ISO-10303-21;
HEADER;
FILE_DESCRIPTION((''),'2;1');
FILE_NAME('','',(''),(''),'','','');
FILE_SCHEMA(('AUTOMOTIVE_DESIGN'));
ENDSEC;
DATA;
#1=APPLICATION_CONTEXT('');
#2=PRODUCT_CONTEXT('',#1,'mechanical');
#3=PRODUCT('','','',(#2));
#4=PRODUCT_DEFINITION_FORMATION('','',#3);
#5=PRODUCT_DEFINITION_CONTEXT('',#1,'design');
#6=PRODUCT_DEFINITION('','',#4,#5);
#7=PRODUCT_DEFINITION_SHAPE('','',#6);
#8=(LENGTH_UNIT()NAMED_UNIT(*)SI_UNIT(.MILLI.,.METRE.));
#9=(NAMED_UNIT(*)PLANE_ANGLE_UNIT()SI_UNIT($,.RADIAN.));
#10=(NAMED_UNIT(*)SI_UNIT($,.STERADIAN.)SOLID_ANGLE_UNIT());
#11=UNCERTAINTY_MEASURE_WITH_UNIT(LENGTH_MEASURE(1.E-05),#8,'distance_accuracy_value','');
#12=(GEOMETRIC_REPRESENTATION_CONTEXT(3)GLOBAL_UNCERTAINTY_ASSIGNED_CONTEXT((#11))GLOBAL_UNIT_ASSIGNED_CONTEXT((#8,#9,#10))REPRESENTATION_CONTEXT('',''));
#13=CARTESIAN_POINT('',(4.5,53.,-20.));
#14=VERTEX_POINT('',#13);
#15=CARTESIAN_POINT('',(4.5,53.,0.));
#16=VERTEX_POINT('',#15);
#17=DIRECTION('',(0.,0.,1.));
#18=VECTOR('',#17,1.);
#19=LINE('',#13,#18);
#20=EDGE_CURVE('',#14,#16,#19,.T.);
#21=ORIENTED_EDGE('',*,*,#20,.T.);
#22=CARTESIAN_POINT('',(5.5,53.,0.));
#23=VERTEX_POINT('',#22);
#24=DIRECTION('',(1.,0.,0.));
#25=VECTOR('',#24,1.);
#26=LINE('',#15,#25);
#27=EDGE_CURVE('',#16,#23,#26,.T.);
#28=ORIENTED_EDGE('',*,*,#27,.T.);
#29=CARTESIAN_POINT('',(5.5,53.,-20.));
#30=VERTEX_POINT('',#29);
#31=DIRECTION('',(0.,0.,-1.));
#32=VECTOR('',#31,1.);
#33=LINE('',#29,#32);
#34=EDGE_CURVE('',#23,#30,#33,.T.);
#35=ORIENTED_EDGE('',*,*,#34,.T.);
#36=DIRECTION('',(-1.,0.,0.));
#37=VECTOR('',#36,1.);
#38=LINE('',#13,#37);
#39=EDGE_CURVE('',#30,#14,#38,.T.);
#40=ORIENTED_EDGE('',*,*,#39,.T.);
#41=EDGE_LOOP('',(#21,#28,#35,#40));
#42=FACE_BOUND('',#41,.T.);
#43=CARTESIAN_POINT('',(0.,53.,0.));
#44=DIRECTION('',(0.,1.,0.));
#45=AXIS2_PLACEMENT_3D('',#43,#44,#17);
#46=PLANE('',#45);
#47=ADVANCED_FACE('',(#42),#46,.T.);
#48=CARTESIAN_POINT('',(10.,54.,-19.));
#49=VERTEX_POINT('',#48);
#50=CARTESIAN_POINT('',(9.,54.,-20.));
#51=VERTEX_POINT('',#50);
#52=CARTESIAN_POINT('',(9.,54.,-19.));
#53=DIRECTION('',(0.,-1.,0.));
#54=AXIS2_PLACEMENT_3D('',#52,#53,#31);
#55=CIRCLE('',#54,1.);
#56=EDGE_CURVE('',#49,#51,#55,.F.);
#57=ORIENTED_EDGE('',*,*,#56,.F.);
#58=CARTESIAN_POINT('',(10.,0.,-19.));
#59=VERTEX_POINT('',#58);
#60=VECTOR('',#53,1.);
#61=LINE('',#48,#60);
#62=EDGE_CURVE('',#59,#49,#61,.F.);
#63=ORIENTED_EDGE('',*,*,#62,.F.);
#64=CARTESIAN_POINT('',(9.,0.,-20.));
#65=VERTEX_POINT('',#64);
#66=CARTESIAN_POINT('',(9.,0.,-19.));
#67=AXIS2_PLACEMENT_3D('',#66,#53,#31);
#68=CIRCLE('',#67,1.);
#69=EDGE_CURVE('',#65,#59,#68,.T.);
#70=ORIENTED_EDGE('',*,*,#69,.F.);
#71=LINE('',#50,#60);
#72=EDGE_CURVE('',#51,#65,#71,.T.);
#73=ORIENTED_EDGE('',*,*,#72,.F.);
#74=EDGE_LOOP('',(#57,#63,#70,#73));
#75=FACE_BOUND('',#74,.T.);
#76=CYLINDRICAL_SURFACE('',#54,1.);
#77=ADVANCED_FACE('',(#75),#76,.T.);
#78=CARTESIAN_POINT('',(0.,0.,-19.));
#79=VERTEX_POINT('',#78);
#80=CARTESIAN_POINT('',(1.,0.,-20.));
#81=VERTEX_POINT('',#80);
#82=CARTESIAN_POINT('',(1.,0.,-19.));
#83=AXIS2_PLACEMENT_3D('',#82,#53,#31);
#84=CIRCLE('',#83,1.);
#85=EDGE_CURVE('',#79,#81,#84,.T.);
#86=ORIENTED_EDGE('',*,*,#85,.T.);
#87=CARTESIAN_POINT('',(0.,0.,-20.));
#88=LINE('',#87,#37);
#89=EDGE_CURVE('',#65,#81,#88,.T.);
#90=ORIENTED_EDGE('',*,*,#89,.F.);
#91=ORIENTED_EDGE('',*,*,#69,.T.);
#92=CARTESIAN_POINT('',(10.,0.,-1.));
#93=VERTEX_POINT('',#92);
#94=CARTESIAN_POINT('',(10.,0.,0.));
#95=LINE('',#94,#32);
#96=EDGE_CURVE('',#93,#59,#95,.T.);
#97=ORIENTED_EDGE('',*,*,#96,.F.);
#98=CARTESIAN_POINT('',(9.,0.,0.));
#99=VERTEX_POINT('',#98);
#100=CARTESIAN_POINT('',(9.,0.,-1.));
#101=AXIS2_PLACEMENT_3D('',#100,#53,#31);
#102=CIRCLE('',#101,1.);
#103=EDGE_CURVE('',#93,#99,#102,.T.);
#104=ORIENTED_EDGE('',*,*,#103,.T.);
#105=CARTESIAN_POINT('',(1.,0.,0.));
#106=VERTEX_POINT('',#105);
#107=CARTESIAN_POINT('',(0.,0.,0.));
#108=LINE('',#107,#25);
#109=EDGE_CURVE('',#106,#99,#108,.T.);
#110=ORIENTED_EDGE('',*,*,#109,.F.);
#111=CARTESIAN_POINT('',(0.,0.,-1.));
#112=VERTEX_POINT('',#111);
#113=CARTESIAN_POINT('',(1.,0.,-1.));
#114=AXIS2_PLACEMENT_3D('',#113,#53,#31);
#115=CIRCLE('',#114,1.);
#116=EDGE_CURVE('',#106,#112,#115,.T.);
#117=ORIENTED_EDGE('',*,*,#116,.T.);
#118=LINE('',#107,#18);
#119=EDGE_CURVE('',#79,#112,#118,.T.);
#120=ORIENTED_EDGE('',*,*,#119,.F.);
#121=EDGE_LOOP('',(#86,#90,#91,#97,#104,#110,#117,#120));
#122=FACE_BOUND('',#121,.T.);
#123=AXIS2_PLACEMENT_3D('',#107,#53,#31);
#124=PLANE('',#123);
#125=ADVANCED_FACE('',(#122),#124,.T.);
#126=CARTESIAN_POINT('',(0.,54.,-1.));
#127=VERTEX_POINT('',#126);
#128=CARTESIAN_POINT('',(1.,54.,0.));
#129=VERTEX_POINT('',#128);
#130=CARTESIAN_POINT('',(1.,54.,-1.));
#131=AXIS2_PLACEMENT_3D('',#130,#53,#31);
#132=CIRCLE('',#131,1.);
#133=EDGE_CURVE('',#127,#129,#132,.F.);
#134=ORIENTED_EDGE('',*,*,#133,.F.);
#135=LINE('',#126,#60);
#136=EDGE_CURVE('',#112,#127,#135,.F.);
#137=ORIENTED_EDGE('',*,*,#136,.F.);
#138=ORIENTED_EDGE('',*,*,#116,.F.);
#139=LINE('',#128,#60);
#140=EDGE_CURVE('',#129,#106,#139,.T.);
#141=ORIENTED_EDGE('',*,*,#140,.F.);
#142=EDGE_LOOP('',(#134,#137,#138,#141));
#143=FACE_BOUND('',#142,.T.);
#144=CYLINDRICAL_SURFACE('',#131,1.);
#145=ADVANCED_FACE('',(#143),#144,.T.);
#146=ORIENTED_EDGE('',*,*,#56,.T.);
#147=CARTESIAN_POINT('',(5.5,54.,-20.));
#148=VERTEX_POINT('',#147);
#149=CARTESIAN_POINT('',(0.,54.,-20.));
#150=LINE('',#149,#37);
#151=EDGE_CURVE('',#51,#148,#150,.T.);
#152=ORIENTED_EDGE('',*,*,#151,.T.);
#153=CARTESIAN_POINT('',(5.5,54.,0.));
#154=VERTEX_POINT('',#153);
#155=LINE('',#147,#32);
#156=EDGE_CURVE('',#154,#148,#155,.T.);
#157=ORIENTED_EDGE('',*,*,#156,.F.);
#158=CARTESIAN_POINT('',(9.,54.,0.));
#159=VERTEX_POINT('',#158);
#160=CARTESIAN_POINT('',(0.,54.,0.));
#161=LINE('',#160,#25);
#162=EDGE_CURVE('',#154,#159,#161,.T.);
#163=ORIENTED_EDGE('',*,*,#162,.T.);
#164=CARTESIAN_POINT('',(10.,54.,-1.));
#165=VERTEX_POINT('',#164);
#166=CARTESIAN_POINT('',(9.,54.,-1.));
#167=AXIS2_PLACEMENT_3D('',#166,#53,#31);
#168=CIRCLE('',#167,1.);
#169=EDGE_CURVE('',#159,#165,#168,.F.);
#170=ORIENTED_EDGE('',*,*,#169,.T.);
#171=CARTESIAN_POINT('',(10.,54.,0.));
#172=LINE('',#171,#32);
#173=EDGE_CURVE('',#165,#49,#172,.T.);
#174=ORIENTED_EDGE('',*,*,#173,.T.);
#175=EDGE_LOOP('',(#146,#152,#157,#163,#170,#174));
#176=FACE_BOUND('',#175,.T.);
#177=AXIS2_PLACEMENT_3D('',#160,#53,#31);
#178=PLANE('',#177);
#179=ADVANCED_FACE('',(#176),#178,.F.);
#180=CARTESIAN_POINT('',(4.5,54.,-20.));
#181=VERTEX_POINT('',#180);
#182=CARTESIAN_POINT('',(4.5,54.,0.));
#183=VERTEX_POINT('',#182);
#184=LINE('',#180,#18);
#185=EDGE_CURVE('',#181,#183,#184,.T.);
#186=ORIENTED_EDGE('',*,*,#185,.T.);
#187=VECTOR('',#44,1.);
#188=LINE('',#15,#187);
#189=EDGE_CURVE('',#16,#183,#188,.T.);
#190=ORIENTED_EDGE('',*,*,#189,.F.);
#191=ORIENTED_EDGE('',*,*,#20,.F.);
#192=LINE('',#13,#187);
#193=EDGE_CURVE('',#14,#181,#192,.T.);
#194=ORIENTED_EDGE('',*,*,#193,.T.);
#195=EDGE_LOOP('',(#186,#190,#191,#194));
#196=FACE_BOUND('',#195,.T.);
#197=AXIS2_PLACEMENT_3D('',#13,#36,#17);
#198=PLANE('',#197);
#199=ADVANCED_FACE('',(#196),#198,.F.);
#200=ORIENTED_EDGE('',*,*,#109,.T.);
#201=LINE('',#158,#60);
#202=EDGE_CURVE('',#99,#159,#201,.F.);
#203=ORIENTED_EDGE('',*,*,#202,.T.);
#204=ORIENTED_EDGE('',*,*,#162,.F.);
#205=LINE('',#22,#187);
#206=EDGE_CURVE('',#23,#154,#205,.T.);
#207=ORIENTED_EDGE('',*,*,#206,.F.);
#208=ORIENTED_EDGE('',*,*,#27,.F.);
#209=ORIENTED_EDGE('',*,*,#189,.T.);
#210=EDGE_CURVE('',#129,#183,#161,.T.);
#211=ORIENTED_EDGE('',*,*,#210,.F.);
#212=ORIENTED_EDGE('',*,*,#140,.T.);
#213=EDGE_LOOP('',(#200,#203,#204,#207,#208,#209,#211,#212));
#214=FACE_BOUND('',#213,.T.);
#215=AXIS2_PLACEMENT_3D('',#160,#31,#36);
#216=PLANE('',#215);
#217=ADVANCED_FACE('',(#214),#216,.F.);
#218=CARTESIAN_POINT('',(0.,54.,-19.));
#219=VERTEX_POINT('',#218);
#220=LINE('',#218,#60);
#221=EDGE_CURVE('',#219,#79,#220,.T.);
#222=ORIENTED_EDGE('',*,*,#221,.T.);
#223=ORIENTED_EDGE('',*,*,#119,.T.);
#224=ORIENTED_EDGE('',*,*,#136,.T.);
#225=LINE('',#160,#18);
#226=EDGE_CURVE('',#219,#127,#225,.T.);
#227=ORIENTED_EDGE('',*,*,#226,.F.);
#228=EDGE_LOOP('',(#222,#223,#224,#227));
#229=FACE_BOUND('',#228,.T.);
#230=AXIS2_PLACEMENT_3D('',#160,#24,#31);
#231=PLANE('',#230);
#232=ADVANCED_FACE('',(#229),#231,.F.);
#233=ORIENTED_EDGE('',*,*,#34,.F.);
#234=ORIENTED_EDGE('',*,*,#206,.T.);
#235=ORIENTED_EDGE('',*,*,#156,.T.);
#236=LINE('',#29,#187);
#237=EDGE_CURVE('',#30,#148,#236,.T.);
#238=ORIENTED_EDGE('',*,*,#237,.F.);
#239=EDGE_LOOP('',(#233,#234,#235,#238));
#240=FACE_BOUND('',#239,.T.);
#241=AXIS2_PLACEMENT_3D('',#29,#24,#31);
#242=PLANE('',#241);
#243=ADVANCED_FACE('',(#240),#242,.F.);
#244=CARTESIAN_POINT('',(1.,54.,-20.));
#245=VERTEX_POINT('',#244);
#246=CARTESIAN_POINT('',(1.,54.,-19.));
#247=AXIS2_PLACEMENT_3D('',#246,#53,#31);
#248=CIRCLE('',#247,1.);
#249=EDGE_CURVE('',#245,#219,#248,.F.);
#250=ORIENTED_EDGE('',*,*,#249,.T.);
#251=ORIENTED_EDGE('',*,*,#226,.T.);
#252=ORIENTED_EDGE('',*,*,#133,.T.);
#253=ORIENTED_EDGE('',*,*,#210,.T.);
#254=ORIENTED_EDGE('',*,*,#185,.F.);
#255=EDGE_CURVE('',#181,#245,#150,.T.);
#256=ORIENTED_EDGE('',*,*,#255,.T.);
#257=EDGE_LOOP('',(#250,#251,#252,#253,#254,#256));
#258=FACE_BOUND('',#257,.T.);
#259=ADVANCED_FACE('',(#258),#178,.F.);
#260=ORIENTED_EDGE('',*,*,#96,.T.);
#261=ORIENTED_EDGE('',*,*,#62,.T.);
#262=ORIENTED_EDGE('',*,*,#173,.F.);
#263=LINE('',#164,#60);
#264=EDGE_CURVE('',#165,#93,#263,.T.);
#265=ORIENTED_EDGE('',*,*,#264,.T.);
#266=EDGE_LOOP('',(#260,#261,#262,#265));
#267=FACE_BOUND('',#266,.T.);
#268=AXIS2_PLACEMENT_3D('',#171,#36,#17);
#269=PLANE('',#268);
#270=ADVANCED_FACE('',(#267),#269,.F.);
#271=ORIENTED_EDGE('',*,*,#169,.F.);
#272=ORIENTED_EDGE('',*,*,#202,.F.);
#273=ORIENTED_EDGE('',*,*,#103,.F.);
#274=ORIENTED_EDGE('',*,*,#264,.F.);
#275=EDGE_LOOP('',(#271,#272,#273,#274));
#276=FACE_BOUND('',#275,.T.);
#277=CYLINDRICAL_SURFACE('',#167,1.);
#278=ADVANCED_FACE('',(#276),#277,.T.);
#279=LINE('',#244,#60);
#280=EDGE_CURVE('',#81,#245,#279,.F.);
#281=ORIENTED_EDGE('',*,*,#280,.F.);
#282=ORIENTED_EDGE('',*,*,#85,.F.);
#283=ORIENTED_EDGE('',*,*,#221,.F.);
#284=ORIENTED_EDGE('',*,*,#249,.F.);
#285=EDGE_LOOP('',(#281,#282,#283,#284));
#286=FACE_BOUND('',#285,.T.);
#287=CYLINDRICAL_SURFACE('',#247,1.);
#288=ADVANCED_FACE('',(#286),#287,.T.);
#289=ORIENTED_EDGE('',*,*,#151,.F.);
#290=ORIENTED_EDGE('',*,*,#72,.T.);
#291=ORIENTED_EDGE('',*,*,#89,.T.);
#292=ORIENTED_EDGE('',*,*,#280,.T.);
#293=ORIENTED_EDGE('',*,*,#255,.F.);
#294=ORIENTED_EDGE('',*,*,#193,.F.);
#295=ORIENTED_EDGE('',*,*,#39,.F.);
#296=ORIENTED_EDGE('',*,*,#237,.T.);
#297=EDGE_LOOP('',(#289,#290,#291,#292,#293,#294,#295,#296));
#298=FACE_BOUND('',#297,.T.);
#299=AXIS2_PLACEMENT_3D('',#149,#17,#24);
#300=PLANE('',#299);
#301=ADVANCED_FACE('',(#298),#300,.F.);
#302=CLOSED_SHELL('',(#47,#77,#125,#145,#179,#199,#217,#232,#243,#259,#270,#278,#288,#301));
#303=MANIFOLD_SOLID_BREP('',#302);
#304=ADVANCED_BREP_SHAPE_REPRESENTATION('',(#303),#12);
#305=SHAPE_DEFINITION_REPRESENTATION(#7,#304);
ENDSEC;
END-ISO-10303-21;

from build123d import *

# Parameters (mm, degrees)
SKETCH_1_W          = 10
SKETCH_1_H          = 20
EXTRUDE_1_DEPTH     = 54
FILLET_1_R          = 1
SKETCH_2_W          = 1
SKETCH_2_H          = 20
CUT_EXTRUDE_1_DEPTH = 1


with BuildPart() as part:
    # 草图1 → 凸台-拉伸1 (new body)
    with BuildSketch(Plane(origin=(0, 0, 0), x_dir=(1, 0, 0), z_dir=(0, 1, 0))):
        with Locations((5, 10)):
            Rectangle(SKETCH_1_W, SKETCH_1_H)
    extrude(amount=EXTRUDE_1_DEPTH)

    # 圆角1
    fillet_1_edges = [part.edges().sort_by_distance(p)[0] for p in [
        (0, 27, -20),
        (10, 27, -20),
        (10, 27, 0),
        (0, 27, 0),
    ]]
    fillet(fillet_1_edges, radius=FILLET_1_R)

    # 草图2 → 切除-拉伸1 (cut)
    with BuildSketch(Plane(origin=(0, 54, 0), x_dir=(1, 0, 0), z_dir=(0, 1, 0))):
        with Locations((5, 10)):
            Rectangle(SKETCH_2_W, SKETCH_2_H)
    extrude(amount=-CUT_EXTRUDE_1_DEPTH, mode=Mode.SUBTRACT)


solid = part.part
